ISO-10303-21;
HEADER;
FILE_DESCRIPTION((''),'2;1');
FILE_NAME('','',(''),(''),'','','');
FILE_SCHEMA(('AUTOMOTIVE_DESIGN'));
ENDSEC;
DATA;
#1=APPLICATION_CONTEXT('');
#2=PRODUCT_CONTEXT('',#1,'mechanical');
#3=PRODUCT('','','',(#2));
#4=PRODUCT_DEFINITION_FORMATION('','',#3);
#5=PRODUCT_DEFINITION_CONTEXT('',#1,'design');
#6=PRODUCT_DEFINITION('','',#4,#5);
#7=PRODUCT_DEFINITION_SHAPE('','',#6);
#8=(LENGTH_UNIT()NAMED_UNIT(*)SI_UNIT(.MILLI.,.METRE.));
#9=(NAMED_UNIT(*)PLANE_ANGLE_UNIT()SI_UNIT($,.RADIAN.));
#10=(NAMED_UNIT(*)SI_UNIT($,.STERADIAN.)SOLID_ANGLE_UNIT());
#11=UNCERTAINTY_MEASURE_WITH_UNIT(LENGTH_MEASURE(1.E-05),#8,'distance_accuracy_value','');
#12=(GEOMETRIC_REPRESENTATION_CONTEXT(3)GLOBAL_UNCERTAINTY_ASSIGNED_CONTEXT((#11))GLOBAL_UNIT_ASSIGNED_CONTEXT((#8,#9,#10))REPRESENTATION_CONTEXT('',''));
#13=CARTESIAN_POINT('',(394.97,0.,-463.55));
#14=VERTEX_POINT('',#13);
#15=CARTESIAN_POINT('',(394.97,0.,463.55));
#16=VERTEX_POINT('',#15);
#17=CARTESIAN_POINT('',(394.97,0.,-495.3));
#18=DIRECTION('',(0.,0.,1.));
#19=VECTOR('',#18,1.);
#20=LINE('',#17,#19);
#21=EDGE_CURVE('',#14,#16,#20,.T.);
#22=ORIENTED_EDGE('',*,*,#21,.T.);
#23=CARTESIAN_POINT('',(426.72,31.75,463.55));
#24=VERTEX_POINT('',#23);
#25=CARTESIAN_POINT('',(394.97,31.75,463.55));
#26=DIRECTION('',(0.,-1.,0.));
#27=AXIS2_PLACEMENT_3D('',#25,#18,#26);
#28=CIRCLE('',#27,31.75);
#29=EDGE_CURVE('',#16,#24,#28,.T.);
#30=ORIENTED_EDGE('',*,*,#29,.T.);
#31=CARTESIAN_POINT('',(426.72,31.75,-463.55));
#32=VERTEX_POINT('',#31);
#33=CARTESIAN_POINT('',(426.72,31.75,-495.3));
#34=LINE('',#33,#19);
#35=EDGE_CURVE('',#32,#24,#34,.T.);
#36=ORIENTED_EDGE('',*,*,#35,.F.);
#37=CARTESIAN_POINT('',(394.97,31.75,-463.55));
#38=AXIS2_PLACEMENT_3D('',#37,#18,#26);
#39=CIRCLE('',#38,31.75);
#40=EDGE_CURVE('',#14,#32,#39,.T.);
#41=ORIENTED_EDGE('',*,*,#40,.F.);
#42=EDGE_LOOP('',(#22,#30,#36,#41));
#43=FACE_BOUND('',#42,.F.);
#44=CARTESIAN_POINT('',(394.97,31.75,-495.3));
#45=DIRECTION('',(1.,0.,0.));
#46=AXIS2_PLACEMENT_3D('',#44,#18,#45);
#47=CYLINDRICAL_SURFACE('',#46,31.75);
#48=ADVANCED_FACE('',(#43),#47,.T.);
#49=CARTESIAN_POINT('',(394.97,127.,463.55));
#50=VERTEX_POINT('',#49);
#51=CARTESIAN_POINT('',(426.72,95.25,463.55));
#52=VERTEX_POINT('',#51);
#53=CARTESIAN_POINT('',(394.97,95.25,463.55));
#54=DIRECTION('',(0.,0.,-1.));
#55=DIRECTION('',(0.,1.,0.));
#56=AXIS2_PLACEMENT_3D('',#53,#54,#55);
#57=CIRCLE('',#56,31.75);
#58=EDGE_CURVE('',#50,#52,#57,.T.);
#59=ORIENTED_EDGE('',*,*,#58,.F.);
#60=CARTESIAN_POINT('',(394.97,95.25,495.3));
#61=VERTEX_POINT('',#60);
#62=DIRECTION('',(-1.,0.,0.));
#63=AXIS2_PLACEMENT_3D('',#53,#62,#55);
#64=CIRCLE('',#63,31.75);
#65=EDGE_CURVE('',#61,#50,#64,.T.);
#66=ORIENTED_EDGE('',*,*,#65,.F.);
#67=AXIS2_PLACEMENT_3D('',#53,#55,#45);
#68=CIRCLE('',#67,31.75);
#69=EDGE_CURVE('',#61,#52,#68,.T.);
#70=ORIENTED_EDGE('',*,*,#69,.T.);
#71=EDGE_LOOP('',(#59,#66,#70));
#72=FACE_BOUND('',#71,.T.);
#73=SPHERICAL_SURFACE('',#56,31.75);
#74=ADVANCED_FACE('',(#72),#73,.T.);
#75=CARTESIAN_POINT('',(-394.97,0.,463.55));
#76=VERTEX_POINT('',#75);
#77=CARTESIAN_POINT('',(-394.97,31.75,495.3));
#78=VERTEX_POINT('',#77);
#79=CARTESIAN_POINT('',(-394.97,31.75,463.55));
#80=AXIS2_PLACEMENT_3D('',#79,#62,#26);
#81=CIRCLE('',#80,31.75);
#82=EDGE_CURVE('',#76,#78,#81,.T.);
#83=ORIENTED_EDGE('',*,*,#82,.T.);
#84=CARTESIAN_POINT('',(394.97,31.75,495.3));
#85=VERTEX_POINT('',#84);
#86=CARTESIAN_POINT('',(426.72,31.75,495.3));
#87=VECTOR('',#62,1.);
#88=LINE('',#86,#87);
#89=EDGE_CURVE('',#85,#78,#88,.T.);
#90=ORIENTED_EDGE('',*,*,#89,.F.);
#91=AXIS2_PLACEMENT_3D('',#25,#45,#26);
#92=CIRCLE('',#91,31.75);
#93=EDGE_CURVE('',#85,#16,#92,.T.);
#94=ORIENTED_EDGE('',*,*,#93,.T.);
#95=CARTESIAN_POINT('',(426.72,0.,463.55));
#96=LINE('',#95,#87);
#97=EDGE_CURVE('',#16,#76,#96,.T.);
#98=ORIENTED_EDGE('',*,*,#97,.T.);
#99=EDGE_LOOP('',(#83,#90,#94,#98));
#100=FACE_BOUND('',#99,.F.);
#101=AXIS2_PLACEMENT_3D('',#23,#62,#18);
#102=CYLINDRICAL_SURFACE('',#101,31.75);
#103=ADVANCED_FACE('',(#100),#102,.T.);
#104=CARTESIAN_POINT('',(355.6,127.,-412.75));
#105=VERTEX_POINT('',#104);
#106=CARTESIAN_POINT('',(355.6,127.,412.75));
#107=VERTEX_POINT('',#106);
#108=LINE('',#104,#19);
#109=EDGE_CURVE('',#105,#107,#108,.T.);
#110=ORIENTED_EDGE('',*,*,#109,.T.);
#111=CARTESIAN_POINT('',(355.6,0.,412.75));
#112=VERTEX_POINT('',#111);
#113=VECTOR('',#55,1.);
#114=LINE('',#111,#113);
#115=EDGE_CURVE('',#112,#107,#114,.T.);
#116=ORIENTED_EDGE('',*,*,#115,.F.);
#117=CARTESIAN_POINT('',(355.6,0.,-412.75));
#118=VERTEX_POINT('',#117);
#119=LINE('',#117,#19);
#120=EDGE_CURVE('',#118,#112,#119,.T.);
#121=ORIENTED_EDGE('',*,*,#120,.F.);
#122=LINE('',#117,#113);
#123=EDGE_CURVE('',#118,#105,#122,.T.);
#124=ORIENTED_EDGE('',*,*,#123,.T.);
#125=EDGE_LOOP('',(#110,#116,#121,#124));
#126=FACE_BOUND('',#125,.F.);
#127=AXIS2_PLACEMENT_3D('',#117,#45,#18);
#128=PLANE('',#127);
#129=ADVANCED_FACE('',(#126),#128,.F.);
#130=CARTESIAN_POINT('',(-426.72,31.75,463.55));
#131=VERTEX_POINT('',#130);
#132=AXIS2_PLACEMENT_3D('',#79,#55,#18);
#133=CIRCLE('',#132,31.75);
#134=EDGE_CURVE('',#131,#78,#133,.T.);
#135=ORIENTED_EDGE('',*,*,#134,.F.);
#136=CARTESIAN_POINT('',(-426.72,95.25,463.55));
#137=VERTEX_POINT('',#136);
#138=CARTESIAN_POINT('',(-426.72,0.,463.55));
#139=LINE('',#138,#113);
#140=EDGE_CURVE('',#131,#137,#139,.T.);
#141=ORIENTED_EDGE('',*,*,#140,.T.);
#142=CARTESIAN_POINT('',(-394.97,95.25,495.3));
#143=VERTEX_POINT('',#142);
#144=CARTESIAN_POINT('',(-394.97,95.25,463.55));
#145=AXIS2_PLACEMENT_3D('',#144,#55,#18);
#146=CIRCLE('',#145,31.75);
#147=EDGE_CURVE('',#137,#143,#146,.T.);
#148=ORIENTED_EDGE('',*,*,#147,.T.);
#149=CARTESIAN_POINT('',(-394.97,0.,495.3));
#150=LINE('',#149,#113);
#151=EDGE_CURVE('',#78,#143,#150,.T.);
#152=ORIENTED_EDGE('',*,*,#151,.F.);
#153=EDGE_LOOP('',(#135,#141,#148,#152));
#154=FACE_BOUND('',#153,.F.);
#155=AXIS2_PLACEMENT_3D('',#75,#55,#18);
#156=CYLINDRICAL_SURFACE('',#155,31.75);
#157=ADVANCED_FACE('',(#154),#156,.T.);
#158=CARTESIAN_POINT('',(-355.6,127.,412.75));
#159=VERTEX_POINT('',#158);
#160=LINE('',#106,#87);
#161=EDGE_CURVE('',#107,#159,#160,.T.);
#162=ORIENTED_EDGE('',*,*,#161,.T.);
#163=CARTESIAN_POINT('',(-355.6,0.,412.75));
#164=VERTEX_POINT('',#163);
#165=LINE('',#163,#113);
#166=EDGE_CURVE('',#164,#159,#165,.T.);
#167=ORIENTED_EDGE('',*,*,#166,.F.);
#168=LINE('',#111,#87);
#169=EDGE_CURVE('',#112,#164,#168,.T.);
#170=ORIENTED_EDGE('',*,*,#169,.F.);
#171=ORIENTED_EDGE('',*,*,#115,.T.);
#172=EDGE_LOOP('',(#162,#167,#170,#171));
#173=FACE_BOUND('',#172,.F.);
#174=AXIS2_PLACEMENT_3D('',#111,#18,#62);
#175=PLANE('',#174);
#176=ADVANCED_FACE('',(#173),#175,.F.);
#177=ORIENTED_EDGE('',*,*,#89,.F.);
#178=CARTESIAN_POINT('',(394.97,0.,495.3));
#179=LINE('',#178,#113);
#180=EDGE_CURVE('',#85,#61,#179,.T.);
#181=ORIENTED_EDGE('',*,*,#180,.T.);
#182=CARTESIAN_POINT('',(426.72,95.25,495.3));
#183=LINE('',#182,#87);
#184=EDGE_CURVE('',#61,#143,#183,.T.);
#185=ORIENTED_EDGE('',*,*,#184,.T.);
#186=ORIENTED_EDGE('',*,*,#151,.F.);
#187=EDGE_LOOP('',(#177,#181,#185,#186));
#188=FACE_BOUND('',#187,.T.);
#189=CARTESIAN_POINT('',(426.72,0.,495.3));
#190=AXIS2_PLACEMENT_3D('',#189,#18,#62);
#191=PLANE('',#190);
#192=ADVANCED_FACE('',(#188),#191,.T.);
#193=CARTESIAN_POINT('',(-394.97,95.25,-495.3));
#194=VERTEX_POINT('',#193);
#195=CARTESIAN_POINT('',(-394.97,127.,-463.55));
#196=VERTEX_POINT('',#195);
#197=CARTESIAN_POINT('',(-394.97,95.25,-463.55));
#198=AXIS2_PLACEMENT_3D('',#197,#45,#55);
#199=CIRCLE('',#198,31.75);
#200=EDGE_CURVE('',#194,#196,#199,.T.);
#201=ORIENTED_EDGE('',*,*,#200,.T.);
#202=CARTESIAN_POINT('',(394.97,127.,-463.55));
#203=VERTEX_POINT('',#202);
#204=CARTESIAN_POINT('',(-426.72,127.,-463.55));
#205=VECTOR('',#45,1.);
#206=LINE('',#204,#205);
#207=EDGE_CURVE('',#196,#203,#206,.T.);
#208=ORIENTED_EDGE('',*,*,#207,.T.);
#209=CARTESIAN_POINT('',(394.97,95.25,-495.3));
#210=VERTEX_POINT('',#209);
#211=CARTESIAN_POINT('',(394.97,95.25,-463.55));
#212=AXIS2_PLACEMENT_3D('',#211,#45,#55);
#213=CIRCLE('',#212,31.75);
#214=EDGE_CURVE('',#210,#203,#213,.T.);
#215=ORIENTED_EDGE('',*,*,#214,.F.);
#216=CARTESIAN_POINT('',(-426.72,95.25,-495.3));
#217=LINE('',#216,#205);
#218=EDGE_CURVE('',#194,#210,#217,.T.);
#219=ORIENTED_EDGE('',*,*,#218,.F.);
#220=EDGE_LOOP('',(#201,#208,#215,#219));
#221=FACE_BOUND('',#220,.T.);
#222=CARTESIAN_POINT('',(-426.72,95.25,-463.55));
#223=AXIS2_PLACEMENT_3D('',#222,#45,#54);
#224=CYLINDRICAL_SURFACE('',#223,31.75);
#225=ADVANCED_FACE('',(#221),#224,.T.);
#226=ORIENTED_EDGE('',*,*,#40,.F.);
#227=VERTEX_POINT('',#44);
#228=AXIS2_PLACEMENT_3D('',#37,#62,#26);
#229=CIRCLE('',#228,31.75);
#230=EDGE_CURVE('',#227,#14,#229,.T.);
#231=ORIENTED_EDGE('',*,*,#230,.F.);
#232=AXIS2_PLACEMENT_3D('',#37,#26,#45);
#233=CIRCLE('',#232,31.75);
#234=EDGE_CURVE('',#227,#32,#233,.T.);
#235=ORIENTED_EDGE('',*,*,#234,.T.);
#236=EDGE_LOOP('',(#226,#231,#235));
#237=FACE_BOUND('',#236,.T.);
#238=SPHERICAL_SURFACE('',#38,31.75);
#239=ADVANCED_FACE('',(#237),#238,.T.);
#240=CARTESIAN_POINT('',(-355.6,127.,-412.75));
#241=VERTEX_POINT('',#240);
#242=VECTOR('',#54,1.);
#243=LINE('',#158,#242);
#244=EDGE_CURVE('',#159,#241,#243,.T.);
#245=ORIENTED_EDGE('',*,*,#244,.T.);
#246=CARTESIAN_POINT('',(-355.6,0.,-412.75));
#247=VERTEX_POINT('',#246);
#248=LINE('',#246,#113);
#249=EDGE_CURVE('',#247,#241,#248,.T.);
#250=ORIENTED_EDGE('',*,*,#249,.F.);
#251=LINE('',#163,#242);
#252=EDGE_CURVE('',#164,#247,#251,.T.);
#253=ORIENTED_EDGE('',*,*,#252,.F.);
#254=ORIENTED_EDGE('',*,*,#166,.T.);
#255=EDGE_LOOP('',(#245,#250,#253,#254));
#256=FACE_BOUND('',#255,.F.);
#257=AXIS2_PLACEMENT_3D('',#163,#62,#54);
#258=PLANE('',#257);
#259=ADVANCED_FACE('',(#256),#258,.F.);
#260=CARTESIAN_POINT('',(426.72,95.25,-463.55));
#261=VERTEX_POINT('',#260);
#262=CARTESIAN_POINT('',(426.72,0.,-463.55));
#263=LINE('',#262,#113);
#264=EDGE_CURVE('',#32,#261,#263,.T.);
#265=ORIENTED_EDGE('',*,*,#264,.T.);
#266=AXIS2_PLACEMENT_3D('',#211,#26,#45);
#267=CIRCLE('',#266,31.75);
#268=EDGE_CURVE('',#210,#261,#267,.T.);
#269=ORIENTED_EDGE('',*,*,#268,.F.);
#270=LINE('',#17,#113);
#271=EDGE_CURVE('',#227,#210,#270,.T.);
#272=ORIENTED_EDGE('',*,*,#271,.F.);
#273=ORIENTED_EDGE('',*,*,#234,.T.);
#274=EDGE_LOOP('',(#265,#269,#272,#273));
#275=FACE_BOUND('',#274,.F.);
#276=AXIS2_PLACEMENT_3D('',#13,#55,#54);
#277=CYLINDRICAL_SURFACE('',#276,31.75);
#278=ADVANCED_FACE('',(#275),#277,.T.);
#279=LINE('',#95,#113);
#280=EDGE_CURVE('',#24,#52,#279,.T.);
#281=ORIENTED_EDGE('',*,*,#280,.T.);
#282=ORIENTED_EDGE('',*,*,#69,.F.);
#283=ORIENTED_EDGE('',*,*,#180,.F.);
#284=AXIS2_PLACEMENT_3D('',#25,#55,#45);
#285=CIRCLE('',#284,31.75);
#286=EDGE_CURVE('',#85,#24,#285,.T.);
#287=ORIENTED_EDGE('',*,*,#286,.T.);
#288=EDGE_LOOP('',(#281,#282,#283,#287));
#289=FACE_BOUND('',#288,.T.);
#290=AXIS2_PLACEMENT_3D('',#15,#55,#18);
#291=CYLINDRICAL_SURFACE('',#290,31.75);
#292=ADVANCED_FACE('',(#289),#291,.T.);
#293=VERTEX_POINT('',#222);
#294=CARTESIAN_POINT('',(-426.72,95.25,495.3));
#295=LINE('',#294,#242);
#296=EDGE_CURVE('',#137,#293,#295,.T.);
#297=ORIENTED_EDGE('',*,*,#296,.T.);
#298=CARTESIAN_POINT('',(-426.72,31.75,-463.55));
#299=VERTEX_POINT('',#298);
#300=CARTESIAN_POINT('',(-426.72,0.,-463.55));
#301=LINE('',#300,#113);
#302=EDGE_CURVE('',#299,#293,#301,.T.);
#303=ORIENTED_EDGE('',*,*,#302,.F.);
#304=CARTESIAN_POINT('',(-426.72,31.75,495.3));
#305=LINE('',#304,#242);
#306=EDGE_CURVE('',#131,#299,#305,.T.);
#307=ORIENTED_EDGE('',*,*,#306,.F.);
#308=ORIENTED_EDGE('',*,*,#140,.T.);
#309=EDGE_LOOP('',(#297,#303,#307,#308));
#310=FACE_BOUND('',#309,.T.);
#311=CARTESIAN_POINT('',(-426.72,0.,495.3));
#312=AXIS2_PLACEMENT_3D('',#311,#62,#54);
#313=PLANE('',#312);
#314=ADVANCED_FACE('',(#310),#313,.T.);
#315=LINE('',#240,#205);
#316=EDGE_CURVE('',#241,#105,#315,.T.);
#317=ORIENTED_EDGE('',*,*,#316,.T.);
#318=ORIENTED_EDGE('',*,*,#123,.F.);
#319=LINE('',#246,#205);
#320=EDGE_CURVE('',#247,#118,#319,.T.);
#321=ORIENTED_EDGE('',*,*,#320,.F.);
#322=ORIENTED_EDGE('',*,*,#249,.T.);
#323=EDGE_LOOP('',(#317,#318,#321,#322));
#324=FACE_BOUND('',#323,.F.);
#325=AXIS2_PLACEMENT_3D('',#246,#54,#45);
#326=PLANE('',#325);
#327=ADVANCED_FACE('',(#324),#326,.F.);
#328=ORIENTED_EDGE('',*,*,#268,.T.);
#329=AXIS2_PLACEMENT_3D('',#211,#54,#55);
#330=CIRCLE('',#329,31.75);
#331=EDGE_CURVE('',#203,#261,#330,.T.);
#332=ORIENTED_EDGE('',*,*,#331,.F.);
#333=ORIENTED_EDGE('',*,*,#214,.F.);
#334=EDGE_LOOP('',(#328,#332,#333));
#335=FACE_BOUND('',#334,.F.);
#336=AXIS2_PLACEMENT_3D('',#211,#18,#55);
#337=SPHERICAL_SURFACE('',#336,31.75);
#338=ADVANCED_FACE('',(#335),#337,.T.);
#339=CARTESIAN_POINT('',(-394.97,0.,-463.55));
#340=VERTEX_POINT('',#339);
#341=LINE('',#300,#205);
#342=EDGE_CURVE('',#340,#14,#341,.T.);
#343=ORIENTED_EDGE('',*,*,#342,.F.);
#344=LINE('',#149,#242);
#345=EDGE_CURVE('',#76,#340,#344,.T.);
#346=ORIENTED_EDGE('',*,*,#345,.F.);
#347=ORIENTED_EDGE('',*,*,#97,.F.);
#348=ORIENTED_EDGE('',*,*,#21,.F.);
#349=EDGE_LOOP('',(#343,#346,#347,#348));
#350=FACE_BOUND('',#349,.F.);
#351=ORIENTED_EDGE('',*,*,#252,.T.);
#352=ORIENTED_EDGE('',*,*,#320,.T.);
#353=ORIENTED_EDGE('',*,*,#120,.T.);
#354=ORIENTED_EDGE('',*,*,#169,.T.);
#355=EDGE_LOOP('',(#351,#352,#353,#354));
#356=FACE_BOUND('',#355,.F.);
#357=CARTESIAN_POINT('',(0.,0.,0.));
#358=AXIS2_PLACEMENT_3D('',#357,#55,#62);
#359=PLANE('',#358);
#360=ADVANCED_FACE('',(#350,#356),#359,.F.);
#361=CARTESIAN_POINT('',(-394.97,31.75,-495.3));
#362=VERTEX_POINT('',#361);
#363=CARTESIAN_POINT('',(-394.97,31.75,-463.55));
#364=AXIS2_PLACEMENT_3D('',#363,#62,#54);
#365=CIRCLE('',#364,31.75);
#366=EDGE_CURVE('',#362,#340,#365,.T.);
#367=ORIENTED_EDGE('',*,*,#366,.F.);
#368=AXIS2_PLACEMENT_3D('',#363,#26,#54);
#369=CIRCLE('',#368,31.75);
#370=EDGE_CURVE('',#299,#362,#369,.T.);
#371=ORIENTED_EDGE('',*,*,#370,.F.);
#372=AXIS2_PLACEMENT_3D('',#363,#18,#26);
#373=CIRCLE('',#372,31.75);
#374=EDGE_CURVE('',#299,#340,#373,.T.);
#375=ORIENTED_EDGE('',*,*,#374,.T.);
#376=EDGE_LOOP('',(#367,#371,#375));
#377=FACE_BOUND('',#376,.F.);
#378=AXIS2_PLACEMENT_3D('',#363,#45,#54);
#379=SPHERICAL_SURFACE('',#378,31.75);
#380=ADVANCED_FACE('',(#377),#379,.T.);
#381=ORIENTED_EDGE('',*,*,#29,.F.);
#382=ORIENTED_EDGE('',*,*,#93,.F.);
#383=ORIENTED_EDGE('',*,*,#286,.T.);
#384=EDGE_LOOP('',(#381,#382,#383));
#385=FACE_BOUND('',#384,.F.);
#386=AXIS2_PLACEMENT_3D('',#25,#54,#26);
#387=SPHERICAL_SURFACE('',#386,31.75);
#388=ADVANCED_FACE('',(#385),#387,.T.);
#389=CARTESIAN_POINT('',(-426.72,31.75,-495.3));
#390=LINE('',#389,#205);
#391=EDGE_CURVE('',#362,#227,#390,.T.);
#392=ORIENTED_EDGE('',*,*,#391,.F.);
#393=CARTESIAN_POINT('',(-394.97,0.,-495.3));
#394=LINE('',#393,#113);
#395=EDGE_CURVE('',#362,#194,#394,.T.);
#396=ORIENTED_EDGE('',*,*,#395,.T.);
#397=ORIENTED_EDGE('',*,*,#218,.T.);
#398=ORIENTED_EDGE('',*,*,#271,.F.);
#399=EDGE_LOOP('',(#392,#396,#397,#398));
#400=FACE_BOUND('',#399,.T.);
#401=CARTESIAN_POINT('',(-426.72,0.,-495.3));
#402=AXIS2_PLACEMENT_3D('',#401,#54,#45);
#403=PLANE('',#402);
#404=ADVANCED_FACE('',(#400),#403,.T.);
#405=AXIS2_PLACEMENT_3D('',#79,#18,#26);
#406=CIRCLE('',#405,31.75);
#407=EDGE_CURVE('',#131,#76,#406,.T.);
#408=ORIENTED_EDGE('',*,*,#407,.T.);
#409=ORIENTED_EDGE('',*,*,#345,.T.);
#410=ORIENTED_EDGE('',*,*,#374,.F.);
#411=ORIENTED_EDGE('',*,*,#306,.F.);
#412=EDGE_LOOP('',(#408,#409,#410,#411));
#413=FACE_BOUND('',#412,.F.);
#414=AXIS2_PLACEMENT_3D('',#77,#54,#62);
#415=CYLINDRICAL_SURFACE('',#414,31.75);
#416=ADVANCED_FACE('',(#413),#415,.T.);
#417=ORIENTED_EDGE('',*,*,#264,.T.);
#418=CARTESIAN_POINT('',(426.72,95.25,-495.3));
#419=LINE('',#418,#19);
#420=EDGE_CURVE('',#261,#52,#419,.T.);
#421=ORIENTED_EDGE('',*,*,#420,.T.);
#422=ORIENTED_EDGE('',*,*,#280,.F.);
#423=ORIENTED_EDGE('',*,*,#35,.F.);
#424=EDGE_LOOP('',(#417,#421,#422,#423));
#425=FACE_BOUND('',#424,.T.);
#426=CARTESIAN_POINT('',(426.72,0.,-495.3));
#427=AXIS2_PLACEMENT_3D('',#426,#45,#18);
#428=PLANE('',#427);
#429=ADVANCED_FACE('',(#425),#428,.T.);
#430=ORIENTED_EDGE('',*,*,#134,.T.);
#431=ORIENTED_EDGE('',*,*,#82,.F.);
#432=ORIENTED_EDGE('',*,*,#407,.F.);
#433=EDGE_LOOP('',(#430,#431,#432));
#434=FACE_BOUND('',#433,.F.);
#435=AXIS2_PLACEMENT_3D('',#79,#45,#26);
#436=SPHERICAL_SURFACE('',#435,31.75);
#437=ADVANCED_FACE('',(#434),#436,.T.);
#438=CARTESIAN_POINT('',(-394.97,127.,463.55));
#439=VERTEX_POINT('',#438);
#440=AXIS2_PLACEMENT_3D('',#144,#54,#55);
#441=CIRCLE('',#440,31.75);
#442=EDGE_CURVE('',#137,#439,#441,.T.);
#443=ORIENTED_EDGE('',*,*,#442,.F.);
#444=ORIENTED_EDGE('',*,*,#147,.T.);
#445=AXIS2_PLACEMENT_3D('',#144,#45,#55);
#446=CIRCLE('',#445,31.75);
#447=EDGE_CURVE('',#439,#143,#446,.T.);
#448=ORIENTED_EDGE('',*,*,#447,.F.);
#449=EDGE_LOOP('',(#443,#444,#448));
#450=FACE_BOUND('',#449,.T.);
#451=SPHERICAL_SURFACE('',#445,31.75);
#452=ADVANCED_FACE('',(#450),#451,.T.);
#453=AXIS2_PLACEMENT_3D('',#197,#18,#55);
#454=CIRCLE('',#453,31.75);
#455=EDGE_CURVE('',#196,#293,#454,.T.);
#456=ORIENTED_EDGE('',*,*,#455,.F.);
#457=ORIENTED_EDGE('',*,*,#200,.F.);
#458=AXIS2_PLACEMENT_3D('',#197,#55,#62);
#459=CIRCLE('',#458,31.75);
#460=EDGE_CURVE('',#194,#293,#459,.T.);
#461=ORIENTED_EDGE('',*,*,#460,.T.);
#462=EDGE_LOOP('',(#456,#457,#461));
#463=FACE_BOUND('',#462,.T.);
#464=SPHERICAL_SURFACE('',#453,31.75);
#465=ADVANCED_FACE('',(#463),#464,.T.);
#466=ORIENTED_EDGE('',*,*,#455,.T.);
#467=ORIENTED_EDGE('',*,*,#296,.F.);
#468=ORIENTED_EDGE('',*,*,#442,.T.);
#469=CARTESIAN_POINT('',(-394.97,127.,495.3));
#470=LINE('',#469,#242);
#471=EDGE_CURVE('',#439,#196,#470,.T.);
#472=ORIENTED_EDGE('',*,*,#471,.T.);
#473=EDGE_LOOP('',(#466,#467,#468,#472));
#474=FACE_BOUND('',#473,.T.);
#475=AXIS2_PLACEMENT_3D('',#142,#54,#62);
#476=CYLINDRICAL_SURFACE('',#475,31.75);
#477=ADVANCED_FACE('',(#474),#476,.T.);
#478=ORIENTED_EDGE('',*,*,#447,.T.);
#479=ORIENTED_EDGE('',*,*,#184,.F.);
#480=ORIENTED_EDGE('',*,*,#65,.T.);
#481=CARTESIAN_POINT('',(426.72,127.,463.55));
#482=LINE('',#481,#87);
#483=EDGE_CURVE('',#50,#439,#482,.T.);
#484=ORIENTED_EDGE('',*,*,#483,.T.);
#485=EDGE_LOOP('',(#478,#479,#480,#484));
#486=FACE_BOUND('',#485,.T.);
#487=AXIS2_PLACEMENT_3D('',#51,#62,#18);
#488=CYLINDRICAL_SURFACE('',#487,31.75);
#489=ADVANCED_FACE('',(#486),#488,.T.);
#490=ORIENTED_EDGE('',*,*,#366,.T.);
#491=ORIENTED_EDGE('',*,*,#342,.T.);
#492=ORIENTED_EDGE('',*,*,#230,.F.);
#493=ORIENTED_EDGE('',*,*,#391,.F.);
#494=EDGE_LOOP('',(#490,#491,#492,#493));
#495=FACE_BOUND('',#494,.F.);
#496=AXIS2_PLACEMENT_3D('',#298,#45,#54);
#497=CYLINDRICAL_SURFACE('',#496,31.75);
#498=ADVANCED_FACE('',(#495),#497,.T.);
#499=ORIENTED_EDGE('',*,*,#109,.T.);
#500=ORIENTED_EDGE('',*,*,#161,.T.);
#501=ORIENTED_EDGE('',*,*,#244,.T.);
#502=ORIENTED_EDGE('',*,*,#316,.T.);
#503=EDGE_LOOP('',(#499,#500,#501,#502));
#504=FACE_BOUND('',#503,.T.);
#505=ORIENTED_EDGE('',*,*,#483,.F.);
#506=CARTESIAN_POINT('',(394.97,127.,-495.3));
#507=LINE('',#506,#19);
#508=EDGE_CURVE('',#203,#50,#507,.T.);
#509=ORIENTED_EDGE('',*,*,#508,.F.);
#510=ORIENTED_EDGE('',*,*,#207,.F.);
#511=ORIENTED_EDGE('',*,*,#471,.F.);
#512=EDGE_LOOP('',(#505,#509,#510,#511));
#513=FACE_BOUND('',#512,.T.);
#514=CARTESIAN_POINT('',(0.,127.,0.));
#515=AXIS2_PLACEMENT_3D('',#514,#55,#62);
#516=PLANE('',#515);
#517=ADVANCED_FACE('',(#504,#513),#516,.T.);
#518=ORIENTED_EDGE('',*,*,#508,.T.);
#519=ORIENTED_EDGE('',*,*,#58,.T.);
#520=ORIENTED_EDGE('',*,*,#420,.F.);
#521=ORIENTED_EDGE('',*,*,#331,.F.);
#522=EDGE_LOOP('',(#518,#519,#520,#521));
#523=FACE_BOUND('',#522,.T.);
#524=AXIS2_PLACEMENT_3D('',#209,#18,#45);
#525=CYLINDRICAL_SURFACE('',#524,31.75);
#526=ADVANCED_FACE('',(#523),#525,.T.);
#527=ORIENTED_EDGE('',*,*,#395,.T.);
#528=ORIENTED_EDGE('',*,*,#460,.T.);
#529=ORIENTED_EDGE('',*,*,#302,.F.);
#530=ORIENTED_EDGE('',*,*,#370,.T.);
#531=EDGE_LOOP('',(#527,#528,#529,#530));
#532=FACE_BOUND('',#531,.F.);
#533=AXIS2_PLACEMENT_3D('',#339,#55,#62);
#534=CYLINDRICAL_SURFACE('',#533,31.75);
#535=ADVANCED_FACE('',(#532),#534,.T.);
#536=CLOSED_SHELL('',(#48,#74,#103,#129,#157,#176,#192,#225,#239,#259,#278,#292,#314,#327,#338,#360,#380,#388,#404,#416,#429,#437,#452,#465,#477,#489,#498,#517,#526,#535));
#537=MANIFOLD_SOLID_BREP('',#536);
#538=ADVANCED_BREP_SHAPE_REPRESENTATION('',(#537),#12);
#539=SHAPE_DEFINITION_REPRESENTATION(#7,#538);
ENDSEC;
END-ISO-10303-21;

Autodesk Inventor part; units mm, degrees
ref_plane "YZ Plane" through (0, 0, 0) normal (1, 0, 0) x (0, 1, 0)
ref_plane "XZ Plane" through (0, 0, 0) normal (0, 1, 0) x (-1, 0, 0)
ref_plane "XY Plane" through (0, 0, 0) normal (0, 0, 1) x (1, 0, 0)
sketch "Sketch1" plane through (0, 0, 0) normal (0, 1, 0) x (-1, 0, 0)
  line L0 (-355.6, 412.75) -> (355.6, 412.75)
  line L1 (355.6, 412.75) -> (355.6, -412.75)
  line L2 (355.6, -412.75) -> (-355.6, -412.75)
  line L3 (-355.6, -412.75) -> (-355.6, 412.75)
  line L4 (-355.6, 412.75) -> (355.6, -412.75) construction
  line L5 (355.6, 412.75) -> (-355.6, -412.75) construction
  line L6 (-426.72, 495.3) -> (426.72, 495.3)
  line L7 (426.72, 495.3) -> (426.72, -495.3)
  line L8 (426.72, -495.3) -> (-426.72, -495.3)
  line L9 (-426.72, -495.3) -> (-426.72, 495.3)
  line L10 (-426.72, 495.3) -> (426.72, -495.3) construction
  line L11 (426.72, 495.3) -> (-426.72, -495.3) construction
  point P0 (0, 0)
  dimension "d0" = 825.5
  dimension "d1" = 711.2
  dimension "d2" = 82.55
extrude "Extrusion1" add sketch "Sketch1" along normal blind 127
fillet "Fillet1" radius 31.75 12 edges at (426.72, 127, 0) (0, 127, 495.3) (-426.72, 127, 0) (0, 127, -495.3) (426.72, 0, 0) (0, 0, 495.3) (0, 0, -495.3) (426.72, 63.5, -495.3) (426.72, 63.5, 495.3) (-426.72, 63.5, -495.3) (-426.72, 0, 0) (-426.72, 63.5, 495.3)
properties part number "bumpers"
